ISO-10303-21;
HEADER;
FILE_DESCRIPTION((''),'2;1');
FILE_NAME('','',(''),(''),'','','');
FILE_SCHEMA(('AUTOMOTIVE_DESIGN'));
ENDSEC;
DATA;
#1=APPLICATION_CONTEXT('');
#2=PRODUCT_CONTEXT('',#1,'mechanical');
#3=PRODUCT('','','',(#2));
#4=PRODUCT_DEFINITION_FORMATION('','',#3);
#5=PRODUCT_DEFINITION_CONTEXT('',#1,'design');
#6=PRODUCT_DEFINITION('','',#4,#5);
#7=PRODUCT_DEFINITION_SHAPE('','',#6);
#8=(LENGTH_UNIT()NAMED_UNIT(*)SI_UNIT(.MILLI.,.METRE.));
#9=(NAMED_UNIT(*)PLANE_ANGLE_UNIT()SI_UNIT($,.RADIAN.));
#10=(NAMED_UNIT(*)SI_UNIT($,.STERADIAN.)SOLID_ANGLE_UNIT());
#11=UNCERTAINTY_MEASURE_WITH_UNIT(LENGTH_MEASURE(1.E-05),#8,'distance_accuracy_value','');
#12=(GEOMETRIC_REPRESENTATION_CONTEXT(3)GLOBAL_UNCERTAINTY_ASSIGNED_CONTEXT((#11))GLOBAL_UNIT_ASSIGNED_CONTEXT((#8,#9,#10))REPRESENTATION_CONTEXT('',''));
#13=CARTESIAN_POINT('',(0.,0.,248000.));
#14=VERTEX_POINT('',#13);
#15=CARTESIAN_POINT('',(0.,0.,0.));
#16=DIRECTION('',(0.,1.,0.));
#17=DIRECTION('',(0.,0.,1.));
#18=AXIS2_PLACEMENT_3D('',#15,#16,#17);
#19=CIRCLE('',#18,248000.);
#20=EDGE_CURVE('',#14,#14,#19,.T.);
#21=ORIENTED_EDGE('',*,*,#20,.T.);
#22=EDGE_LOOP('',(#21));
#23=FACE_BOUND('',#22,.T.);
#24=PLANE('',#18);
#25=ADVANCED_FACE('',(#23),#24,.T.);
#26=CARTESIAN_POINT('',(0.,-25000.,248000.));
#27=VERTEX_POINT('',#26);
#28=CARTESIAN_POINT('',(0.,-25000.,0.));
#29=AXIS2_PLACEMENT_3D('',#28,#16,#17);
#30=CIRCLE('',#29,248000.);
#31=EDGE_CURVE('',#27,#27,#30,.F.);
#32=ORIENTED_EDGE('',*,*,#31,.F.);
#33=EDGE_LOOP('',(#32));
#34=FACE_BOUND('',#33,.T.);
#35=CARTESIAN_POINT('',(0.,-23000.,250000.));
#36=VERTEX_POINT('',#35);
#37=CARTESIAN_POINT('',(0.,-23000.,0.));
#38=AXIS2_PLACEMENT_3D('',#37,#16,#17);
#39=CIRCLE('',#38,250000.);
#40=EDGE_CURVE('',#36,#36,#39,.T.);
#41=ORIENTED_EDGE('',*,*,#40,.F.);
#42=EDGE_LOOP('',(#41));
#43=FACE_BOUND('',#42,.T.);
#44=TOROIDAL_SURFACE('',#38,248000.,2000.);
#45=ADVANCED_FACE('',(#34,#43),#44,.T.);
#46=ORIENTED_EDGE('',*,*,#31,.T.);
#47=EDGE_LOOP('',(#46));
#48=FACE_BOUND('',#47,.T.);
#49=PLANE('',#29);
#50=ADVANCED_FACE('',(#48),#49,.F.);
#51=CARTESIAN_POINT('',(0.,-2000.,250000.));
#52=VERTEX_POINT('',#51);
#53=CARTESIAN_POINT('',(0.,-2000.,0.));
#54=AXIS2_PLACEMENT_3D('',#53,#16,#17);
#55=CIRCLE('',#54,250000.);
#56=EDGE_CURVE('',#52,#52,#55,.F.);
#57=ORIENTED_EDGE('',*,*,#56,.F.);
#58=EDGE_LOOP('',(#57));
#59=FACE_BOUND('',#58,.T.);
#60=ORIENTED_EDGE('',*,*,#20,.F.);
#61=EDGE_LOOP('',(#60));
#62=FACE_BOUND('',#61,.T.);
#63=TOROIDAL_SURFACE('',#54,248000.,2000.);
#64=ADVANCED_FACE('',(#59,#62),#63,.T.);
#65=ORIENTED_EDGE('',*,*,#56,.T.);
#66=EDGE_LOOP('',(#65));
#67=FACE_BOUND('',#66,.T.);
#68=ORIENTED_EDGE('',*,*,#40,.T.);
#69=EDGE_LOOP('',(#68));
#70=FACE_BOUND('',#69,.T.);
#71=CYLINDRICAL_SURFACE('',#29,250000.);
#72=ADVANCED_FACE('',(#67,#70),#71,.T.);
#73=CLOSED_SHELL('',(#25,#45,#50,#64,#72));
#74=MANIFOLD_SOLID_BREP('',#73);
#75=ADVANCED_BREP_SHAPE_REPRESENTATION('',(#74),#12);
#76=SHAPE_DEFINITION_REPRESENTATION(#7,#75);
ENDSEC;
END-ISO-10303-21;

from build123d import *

# Parameters (mm, degrees)
SKETCH1_R           = 250000
BOSS_EXTRUDE1_DEPTH = 25000
FILLET1_R           = 2000


with BuildPart() as part:
    # Sketch1 → Boss-Extrude1 (new body)
    with BuildSketch(Plane(origin=(0, 0, 0), x_dir=(1, 0, 0), z_dir=(0, 1, 0))):
        with Locations(Location((0, 0, 0), (0, 0, 270))):
            Circle(SKETCH1_R)
    extrude(amount=-BOSS_EXTRUDE1_DEPTH)

    # Fillet1
    fillet1_edges = [part.edges().sort_by_distance(p)[0] for p in [
        (0, 0, -250000),
        (0, -25000, -250000),
    ]]
    fillet(fillet1_edges, radius=FILLET1_R)


solid = part.part
